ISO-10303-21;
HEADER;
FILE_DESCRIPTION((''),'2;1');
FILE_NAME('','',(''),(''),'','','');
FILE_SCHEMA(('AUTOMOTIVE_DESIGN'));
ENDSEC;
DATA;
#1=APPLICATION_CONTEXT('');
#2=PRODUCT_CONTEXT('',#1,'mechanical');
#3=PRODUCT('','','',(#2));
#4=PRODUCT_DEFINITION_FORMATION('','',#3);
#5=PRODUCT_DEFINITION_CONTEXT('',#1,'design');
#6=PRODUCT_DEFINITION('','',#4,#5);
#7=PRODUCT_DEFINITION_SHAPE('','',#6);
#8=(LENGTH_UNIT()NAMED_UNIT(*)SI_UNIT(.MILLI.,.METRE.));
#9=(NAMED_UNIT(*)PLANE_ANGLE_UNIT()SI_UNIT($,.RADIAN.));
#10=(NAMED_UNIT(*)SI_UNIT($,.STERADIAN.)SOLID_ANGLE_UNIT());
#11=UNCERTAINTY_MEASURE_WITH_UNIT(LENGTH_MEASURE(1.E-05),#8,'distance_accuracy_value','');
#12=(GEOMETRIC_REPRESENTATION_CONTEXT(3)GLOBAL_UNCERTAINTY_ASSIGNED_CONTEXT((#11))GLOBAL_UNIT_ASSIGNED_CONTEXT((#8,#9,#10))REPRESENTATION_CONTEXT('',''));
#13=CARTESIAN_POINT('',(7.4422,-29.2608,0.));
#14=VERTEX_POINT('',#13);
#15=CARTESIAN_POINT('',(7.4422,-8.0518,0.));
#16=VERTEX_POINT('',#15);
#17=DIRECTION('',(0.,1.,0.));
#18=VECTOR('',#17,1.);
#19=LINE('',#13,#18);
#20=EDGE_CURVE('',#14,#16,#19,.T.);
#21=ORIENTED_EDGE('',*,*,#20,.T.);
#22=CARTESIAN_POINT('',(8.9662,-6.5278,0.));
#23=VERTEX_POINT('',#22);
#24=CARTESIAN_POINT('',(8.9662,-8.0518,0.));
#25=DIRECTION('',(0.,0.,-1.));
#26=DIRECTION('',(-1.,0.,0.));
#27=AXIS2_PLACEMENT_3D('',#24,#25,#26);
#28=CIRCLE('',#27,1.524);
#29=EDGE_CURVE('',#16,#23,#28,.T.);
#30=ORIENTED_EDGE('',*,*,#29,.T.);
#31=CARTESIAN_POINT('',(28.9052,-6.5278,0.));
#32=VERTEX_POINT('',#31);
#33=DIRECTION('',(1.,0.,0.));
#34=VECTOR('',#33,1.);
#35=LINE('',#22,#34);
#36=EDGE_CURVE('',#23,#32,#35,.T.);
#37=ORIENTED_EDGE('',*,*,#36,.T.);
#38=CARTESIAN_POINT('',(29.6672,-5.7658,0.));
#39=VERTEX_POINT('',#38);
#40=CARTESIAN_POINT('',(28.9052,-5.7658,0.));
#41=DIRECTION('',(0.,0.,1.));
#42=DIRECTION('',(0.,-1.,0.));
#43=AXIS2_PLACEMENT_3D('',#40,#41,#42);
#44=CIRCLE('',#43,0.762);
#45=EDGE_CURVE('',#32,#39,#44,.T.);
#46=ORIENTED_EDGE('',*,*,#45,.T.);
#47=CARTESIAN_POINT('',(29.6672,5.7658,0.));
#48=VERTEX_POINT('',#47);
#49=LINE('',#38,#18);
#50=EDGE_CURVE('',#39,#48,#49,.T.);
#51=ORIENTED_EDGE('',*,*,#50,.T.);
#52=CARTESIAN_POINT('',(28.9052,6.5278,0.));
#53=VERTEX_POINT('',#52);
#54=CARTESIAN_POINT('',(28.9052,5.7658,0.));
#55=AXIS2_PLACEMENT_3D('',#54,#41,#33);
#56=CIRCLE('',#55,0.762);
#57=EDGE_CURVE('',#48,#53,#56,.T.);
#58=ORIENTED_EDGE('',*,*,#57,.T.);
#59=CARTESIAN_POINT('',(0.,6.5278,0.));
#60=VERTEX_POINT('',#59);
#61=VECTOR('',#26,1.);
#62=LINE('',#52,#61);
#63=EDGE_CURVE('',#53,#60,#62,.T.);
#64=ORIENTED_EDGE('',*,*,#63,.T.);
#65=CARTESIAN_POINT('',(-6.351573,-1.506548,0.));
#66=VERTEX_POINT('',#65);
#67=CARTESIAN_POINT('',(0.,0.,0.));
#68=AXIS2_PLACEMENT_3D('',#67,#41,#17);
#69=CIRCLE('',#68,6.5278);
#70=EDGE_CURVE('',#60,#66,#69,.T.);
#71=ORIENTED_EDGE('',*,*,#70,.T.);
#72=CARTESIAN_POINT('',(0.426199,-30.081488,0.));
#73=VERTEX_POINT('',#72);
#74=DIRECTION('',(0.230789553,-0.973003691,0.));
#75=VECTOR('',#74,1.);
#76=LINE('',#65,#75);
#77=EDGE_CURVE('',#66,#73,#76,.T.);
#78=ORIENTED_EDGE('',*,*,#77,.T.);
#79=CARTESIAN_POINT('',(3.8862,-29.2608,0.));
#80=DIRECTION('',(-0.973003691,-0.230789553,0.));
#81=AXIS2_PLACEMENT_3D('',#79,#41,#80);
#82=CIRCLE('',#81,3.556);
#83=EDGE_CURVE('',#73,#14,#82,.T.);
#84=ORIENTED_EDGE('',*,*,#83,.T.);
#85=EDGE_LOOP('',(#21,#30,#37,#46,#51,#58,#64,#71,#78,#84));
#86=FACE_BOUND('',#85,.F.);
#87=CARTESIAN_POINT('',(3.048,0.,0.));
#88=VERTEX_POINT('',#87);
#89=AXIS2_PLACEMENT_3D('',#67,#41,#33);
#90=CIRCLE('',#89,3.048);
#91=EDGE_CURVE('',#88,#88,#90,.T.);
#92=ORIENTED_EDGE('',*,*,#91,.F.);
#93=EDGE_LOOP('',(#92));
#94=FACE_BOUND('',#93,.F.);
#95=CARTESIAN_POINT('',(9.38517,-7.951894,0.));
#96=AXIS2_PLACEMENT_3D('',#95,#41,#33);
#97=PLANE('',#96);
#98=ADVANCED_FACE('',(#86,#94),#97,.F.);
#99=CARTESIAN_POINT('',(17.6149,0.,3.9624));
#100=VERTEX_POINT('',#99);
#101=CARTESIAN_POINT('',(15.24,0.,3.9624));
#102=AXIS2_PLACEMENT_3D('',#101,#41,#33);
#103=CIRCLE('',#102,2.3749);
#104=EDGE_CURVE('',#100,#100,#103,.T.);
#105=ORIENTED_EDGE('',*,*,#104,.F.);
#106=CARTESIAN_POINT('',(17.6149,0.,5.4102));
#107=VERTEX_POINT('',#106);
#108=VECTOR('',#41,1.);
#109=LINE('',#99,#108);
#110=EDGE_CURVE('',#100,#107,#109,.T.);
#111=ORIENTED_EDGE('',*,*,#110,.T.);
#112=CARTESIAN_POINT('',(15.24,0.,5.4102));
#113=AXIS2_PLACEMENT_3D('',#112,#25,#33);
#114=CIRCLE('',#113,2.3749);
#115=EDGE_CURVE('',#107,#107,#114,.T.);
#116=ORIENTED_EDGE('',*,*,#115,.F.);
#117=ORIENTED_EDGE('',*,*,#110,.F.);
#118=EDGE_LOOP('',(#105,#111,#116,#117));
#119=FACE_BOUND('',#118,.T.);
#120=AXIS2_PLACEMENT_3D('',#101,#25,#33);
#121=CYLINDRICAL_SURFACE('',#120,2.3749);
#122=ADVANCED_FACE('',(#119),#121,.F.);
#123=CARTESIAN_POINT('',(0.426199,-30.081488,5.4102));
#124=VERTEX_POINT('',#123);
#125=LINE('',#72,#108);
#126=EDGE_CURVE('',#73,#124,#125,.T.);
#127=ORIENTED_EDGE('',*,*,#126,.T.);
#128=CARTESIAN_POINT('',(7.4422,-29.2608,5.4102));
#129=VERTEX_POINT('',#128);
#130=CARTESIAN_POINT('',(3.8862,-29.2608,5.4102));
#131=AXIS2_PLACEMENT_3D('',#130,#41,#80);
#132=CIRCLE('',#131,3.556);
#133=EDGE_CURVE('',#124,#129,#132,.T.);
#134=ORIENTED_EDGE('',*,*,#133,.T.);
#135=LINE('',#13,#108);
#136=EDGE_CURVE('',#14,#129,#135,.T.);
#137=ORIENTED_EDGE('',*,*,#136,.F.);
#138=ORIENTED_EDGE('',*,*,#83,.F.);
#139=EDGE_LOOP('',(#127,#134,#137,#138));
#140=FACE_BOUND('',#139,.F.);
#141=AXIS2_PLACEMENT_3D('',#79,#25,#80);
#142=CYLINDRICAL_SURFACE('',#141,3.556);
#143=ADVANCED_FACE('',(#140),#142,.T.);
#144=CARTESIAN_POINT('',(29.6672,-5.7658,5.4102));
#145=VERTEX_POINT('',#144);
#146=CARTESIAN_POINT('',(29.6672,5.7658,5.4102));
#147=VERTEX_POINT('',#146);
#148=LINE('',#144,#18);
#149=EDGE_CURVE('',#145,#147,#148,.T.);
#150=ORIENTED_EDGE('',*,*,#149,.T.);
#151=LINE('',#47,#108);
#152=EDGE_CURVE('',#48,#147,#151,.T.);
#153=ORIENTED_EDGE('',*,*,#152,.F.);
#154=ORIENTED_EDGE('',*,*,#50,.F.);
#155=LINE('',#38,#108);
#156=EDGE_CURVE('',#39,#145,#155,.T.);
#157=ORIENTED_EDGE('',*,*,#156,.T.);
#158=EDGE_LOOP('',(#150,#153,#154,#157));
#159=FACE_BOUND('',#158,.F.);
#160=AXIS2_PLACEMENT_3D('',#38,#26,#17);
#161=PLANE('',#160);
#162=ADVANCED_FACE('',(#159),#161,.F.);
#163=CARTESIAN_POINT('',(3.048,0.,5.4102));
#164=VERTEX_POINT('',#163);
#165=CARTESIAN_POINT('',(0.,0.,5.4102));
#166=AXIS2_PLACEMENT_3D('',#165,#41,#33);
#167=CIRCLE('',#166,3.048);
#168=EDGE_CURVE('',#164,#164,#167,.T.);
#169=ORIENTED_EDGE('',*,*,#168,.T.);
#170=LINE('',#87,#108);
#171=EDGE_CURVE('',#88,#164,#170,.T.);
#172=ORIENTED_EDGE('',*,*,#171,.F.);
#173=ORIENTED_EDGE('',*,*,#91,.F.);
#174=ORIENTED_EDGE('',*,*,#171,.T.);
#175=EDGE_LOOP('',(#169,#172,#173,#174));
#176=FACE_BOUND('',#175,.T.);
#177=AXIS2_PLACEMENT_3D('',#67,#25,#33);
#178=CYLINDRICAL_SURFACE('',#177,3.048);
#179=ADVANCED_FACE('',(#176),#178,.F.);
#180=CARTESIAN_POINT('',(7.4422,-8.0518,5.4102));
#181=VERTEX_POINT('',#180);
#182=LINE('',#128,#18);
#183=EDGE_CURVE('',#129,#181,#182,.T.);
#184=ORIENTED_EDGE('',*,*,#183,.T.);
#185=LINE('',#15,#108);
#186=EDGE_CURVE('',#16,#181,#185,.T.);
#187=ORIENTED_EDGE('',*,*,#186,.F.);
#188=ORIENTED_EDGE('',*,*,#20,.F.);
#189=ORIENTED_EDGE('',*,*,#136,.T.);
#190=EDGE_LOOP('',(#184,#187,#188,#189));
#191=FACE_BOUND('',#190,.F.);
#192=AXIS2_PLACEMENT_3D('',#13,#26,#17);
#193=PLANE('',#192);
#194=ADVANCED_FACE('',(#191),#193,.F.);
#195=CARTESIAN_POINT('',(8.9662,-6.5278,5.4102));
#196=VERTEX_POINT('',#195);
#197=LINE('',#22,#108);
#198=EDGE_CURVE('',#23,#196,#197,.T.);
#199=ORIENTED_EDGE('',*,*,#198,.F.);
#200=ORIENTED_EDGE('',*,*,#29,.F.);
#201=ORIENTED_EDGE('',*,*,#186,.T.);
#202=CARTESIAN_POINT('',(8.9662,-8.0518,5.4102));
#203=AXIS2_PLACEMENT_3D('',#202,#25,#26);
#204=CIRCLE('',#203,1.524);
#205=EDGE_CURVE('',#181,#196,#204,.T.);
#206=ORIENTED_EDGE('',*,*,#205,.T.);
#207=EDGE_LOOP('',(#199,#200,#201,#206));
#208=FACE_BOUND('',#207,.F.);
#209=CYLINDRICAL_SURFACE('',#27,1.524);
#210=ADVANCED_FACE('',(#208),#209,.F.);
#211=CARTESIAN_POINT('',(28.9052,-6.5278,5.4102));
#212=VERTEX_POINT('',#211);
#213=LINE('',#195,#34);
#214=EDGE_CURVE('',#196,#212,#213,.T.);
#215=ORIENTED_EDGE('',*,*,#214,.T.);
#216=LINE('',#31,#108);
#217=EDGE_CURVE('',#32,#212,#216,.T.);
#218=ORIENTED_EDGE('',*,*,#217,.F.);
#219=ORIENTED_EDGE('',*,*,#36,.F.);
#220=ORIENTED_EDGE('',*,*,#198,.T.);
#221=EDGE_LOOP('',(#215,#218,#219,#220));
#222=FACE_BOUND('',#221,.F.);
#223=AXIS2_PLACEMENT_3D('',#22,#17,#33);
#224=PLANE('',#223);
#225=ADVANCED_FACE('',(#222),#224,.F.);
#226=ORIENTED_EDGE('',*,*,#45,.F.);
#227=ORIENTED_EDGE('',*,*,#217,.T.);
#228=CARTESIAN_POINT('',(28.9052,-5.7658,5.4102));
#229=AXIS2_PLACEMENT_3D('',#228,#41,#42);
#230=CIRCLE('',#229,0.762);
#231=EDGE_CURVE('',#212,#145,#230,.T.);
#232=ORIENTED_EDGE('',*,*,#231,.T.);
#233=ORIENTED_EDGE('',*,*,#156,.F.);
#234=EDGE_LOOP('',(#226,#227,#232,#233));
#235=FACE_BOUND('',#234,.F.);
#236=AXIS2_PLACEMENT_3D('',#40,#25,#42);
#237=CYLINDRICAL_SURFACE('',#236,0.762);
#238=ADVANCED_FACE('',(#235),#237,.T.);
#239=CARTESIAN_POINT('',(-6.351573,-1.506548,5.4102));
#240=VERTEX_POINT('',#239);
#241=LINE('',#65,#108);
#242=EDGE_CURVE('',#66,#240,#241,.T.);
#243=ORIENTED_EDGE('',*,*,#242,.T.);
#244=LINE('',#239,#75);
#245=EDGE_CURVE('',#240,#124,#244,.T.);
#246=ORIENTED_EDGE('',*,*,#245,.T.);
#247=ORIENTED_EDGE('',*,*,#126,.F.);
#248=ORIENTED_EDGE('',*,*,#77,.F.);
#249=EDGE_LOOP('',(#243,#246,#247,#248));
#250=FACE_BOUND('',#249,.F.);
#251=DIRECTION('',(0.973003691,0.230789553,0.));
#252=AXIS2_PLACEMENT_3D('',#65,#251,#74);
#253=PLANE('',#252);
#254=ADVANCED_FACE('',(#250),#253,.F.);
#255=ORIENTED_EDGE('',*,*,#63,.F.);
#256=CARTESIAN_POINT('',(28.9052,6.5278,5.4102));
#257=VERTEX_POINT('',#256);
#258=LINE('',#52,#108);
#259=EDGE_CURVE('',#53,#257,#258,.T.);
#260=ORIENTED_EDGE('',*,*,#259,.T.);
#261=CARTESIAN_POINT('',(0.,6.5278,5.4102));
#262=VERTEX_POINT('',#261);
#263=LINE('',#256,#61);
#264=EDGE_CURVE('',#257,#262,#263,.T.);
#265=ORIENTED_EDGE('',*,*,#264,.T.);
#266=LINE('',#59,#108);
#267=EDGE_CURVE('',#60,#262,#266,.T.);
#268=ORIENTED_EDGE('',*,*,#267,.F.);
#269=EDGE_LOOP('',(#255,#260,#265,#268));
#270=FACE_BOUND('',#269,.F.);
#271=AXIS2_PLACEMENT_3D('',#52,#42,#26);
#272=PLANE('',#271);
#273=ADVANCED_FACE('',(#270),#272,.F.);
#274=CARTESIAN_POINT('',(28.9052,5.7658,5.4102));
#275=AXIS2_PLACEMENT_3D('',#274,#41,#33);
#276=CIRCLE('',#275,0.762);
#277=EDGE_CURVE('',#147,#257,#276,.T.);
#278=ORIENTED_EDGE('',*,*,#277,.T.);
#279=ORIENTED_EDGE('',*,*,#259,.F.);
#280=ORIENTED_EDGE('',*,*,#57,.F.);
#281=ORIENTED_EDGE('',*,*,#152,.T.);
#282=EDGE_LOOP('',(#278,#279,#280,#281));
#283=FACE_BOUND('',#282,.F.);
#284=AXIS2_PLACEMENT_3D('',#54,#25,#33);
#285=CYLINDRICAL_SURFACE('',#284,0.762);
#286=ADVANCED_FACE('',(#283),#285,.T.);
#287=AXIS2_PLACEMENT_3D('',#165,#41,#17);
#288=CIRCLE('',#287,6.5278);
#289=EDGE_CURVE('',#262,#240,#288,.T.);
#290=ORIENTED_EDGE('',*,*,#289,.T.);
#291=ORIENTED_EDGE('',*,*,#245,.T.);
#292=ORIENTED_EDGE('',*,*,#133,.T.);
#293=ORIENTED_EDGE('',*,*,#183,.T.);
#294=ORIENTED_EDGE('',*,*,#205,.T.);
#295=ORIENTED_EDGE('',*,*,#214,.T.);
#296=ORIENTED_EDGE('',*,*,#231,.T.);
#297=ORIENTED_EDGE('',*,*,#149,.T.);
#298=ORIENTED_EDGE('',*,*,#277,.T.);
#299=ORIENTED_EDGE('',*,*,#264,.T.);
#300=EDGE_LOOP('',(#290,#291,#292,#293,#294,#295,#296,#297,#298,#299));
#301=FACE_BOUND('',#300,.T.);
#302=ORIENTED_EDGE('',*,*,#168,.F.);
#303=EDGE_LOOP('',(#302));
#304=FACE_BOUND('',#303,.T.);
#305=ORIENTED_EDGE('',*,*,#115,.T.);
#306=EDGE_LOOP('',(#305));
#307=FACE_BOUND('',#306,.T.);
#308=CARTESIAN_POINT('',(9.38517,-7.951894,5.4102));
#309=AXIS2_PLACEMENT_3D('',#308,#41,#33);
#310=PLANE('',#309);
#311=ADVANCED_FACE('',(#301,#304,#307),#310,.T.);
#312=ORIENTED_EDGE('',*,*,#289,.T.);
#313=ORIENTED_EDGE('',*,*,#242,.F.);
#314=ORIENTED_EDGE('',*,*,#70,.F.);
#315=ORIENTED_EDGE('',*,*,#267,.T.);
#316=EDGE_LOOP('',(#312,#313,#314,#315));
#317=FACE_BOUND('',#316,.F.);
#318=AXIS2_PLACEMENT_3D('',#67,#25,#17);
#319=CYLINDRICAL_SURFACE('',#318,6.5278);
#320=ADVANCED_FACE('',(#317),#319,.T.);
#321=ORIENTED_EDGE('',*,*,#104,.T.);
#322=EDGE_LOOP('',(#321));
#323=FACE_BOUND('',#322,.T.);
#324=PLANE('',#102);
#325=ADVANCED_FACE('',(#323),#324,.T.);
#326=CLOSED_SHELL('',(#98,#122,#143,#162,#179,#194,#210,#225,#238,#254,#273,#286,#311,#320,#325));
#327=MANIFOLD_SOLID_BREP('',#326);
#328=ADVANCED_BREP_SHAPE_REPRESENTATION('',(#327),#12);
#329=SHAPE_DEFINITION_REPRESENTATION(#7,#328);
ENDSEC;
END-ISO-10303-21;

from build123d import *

# Parameters (mm, degrees)
F0_R     = 3.048
F0_R_2   = 2.3749
F1_DEPTH = 5.4102
F2_START = 3.9624
F2_DEPTH = 21.4376


with BuildPart() as f1:
    # F0 (on Top) → F1 (new body)
    with BuildSketch(Plane.XY):
        with BuildLine():
            Line((28.9052, 6.5278), (0, 6.5278))
            ThreePointArc((0, 6.5278), (-5.1208699041, 4.048316226), (-6.351573493, -1.506548042))
            Line((-6.351573493, -1.506548042), (0.4261988754, -30.0814876494))
            ThreePointArc((0.4261988754, -30.0814876494), (4.2993416228, -32.7927187419), (7.4422, -29.2608))
            Line((7.4422, -29.2608), (7.4422, -8.0518))
            ThreePointArc((7.4422, -8.0518), (7.8885692655, -6.9741692655), (8.9662, -6.5278))
            Line((8.9662, -6.5278), (28.9052, -6.5278))
            ThreePointArc((28.9052, -6.5278), (29.4440153673, -6.3046153673), (29.6672, -5.7658))
            Line((29.6672, -5.7658), (29.6672, 5.7658))
            ThreePointArc((29.6672, 5.7658), (29.4440153673, 6.3046153673), (28.9052, 6.5278))
        make_face()
        Circle(F0_R, mode=Mode.SUBTRACT)
        with Locations((15.24, 0)):
            Circle(F0_R_2, mode=Mode.SUBTRACT)
        with Locations((15.24, 0)):
            Circle(F0_R_2)
    extrude(amount=F1_DEPTH)

    # F0 (on Top) → F2 (cut)
    with BuildSketch(Plane.XY.offset(F2_START)):
        with Locations((15.24, 0)):
            Circle(F0_R_2)
    extrude(amount=F2_DEPTH, mode=Mode.SUBTRACT)


solid = f1.part
